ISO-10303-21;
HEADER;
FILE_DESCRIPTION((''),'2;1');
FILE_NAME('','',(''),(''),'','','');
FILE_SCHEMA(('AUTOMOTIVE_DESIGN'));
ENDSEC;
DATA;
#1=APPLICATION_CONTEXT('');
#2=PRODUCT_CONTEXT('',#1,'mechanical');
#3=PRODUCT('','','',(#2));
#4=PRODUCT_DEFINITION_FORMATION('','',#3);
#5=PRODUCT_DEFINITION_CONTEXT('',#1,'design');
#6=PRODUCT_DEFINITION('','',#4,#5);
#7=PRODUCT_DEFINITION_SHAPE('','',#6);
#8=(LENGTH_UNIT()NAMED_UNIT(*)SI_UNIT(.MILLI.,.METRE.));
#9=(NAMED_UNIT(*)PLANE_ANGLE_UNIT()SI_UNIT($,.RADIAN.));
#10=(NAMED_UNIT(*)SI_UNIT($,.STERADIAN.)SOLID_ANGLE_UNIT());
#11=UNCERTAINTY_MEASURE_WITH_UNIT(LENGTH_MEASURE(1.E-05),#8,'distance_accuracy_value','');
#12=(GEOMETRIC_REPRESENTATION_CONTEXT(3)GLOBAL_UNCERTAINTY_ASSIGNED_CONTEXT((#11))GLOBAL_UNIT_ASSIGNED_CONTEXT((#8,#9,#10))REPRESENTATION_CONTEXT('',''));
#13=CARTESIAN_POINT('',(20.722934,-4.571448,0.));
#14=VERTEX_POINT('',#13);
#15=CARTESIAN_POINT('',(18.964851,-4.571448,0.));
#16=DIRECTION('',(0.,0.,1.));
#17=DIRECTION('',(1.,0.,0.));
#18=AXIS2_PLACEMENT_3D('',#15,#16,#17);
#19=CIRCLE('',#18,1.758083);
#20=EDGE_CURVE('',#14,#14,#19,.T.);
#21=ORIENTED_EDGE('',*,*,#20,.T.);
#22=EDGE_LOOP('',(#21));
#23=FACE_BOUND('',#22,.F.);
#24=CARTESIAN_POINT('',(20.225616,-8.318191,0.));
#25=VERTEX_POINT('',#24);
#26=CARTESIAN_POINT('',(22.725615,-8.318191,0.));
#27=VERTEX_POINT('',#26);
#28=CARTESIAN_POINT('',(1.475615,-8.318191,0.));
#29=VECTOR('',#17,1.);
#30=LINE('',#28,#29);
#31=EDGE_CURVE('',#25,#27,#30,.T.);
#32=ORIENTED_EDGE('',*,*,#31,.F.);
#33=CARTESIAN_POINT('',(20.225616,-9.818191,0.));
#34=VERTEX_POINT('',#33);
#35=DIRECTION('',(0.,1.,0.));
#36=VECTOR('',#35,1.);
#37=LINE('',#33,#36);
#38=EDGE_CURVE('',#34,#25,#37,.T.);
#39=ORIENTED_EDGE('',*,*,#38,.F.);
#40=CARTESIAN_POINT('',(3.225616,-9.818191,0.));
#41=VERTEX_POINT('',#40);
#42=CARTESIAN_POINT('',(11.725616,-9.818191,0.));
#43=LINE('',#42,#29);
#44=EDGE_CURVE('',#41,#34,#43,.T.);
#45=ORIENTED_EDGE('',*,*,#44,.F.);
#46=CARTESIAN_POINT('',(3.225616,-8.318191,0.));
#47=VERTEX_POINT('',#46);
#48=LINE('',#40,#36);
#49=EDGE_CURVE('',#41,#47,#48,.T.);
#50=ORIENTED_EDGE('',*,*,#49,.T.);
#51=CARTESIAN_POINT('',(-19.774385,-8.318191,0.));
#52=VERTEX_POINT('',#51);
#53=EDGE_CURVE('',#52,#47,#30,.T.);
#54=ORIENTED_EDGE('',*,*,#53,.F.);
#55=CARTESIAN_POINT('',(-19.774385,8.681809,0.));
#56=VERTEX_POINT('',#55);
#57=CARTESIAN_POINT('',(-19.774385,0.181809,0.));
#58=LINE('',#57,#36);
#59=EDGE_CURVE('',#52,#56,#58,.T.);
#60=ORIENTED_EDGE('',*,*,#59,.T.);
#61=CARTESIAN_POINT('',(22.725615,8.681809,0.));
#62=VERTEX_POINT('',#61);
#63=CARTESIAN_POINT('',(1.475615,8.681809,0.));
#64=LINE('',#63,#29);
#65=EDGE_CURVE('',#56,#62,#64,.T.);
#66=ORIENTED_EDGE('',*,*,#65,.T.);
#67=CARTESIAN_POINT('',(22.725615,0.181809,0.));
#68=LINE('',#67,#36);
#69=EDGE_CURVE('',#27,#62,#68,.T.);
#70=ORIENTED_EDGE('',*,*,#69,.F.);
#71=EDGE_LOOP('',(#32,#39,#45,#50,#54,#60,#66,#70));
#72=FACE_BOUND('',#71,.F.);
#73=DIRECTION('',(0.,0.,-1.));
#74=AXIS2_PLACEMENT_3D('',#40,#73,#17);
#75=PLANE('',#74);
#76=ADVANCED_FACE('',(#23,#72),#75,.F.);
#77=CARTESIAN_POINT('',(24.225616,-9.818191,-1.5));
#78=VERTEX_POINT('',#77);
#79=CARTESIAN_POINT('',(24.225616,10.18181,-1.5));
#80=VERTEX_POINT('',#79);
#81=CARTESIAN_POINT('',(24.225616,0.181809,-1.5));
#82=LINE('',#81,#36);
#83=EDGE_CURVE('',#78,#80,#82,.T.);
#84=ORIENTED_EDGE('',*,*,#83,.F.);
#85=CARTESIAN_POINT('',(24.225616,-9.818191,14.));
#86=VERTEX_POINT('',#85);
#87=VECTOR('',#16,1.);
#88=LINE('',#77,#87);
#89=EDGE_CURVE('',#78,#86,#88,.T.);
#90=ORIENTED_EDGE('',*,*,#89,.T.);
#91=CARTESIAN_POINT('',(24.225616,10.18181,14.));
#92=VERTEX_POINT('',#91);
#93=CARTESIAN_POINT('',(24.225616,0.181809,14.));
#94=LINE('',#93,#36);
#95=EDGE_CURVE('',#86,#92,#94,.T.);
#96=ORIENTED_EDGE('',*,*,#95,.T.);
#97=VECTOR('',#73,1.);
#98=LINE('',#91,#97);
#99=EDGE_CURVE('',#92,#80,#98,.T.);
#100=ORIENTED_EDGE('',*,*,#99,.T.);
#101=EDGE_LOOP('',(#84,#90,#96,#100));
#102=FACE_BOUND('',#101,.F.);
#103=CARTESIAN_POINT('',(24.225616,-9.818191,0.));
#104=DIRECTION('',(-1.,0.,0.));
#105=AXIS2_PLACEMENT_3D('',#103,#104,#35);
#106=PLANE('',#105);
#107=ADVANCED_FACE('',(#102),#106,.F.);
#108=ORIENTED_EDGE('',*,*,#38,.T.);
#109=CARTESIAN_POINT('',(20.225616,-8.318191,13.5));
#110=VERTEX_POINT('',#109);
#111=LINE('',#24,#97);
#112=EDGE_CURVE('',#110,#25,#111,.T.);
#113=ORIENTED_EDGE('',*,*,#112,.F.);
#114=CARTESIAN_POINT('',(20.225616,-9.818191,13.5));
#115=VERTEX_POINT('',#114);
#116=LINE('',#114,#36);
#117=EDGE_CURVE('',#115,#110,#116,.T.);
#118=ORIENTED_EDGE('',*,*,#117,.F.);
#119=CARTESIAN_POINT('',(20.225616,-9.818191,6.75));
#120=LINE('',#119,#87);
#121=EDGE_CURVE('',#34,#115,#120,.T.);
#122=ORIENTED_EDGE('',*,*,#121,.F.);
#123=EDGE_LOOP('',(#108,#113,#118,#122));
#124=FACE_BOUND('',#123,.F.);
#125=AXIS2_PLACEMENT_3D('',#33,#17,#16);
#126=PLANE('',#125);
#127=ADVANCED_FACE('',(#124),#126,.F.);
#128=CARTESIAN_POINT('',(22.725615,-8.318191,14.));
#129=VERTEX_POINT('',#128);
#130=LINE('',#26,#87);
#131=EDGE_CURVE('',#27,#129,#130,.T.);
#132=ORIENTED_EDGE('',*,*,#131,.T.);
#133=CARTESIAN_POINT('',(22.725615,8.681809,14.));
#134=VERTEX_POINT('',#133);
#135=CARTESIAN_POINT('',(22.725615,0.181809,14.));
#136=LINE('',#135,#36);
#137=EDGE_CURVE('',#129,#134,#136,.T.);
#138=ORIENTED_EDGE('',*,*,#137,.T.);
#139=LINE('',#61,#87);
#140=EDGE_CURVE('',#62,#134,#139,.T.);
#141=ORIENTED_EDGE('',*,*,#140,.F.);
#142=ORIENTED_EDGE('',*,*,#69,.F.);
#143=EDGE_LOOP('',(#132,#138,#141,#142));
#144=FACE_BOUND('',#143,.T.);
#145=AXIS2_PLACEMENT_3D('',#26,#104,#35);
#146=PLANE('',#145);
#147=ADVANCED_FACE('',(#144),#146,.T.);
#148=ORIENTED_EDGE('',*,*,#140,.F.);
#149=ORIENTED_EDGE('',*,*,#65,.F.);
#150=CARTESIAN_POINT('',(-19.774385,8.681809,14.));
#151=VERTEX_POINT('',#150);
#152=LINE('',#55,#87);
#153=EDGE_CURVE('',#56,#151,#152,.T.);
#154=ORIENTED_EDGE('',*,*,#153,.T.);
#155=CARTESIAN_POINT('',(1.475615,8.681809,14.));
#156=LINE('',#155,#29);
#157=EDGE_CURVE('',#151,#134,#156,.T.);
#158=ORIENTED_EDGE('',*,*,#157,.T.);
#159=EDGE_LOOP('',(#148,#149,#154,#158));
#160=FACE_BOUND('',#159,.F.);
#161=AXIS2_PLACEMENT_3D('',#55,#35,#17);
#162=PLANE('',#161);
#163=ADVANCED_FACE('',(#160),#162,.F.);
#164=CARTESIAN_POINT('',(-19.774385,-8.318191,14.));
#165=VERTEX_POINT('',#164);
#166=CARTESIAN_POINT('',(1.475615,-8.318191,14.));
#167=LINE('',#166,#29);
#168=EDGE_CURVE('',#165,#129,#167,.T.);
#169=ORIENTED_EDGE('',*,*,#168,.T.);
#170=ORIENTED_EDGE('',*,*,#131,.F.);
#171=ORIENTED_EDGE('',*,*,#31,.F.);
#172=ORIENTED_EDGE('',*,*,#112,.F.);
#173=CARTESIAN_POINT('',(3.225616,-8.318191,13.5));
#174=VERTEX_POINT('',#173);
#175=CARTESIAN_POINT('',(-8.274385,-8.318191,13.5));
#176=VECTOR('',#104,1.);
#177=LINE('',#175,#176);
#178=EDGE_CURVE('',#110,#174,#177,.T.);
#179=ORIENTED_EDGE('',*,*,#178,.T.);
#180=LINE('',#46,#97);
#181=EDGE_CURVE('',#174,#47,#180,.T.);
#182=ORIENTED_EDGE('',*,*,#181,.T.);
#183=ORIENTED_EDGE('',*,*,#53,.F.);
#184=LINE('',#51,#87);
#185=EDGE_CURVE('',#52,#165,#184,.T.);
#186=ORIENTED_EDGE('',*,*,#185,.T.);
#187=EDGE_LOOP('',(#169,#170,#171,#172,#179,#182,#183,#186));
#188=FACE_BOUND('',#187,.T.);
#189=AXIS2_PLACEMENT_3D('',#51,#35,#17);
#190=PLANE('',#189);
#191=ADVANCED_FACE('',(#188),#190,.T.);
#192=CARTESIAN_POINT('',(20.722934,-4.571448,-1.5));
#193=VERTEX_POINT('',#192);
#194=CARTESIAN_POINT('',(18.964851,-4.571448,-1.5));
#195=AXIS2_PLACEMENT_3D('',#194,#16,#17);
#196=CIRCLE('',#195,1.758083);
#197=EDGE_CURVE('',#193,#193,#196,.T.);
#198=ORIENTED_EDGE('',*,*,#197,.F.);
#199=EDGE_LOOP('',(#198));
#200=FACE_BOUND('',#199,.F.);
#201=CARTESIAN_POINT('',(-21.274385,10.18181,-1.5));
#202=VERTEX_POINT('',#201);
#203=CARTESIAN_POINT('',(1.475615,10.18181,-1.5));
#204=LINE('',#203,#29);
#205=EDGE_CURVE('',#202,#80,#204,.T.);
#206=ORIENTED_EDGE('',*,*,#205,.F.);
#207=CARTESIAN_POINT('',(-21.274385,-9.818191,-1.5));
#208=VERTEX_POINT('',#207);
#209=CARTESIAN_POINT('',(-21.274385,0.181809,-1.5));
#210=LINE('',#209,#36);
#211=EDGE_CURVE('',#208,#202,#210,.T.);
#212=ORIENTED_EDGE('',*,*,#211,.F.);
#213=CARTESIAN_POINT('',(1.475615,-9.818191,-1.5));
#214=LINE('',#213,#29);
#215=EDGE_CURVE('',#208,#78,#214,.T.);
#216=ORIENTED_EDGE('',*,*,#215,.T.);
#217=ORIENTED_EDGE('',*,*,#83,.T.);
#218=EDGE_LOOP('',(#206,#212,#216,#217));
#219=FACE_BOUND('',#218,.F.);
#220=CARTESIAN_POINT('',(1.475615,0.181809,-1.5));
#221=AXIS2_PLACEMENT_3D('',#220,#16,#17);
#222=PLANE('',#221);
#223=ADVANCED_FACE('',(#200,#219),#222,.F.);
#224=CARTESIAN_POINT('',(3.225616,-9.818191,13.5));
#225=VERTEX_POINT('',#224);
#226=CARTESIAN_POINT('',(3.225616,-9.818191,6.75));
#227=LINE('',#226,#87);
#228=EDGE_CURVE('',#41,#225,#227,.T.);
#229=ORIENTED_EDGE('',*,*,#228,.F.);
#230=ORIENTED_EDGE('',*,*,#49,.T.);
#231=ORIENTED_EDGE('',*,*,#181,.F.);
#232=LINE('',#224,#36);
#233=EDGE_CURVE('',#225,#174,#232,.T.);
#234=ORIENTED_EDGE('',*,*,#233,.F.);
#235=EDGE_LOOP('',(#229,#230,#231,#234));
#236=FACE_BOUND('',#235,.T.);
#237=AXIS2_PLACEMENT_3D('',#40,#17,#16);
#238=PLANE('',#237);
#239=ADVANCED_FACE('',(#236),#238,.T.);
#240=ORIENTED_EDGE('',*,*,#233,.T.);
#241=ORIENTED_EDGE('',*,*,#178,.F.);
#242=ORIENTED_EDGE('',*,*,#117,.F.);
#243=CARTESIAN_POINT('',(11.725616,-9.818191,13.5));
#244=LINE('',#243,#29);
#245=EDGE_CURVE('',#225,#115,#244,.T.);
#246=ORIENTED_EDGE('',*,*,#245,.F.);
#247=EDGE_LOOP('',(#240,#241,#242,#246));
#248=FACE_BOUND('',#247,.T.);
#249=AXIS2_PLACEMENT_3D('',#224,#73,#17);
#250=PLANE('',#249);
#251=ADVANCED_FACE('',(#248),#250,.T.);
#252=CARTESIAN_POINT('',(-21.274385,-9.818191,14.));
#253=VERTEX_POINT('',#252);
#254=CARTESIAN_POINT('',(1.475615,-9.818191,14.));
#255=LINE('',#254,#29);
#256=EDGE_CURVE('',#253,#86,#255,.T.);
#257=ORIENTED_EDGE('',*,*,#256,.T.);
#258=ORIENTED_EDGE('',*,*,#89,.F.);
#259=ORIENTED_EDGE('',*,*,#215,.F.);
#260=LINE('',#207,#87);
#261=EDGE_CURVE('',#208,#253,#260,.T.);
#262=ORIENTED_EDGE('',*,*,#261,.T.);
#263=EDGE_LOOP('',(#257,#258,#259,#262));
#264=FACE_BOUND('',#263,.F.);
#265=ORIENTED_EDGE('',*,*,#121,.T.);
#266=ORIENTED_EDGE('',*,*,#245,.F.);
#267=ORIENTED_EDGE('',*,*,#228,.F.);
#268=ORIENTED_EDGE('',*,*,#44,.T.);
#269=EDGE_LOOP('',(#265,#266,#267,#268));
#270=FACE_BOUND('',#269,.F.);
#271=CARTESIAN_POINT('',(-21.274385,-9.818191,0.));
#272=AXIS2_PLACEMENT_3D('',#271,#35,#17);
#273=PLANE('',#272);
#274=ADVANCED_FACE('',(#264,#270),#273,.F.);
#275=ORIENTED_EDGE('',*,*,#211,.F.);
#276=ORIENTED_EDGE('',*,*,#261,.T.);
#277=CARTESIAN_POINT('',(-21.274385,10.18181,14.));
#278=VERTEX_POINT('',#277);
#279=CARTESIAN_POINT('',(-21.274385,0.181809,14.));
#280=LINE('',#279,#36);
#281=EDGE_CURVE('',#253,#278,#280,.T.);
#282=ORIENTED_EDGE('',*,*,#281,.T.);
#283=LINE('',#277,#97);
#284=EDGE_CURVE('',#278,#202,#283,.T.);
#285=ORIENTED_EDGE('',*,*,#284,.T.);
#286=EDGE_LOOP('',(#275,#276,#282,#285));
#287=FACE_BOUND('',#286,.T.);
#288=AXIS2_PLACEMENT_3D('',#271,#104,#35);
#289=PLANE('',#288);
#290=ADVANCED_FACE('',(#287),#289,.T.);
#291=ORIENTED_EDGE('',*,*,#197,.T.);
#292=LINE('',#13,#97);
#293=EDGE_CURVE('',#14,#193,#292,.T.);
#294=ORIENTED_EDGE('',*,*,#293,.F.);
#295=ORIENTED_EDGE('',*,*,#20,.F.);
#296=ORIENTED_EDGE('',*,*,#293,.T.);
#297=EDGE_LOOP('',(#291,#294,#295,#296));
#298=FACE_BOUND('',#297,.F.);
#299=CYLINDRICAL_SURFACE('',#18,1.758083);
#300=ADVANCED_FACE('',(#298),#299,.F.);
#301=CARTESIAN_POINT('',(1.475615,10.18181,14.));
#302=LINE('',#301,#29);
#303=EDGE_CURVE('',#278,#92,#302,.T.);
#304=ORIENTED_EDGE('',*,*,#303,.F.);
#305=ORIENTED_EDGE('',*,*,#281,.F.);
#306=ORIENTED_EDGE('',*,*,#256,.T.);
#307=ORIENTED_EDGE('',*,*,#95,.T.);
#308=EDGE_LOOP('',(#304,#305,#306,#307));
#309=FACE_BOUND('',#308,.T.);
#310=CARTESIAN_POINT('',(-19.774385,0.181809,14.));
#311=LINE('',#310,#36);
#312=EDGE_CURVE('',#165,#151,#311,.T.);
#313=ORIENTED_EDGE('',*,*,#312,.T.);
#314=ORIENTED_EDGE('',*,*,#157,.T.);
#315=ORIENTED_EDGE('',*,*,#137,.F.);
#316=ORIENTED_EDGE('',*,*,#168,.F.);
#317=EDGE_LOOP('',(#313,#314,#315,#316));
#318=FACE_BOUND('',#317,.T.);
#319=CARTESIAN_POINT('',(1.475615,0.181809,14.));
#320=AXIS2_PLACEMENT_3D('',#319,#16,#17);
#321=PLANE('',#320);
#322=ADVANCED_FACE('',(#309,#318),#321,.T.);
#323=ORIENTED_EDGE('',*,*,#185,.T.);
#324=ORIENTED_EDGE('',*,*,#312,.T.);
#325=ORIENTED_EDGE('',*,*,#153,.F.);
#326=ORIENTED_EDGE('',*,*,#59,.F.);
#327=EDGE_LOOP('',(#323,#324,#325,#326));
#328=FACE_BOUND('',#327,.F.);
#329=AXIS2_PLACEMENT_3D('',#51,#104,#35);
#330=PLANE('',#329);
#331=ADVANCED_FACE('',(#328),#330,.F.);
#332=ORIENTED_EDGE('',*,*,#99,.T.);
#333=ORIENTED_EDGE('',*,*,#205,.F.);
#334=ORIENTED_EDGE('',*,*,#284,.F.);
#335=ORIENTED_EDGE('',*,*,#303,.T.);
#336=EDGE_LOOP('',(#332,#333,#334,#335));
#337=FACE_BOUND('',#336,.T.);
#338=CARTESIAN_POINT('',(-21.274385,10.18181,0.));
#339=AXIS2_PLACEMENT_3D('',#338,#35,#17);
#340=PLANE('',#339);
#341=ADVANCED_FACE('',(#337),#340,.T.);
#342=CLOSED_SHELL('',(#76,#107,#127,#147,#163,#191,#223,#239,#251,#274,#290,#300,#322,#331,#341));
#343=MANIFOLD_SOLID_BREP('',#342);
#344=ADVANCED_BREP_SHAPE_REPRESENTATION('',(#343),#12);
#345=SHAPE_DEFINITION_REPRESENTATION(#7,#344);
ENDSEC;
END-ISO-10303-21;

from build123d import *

# Parameters (mm, degrees)
F0_W     = 45.5000007218
F0_H     = 20.0000007218
F0_W_2   = 42.5
F0_H_2   = 17
F0_R     = 1.7580829865
F1_DEPTH = 1.5
F2_DEPTH = 14
F3_W     = 17
F3_H     = 13.5
F4_DEPTH = 2


with BuildPart() as f1:
    # F0 (on Top) → F1 (new body)
    with BuildSketch(Plane.XY):
        with Locations((1.4756151661, 0.1818094146)):
            Rectangle(F0_W, F0_H)
        with Locations((1.4756151661, 0.1818094146)):
            Rectangle(F0_W_2, F0_H_2, mode=Mode.SUBTRACT)
        with Locations((1.4756151661, 0.1818094146)):
            Rectangle(F0_W_2, F0_H_2)
        with Locations((18.9648512751, -4.5714476146)):
            Circle(F0_R, mode=Mode.SUBTRACT)
    extrude(amount=-F1_DEPTH)

    # F0 (on Top) → F2 (join)
    with BuildSketch(Plane.XY):
        with Locations((1.4756151661, 0.1818094146)):
            Rectangle(F0_W, F0_H)
        with Locations((1.4756151661, 0.1818094146)):
            Rectangle(F0_W_2, F0_H_2, mode=Mode.SUBTRACT)
    extrude(amount=F2_DEPTH)

    # F3 (on face) → F4 (cut)
    with BuildSketch(Plane.XZ.offset(9.8181909463)):
        with Locations((11.725615527, 6.75)):
            Rectangle(F3_W, F3_H)
    extrude(amount=-F4_DEPTH, mode=Mode.SUBTRACT)


solid = f1.part
